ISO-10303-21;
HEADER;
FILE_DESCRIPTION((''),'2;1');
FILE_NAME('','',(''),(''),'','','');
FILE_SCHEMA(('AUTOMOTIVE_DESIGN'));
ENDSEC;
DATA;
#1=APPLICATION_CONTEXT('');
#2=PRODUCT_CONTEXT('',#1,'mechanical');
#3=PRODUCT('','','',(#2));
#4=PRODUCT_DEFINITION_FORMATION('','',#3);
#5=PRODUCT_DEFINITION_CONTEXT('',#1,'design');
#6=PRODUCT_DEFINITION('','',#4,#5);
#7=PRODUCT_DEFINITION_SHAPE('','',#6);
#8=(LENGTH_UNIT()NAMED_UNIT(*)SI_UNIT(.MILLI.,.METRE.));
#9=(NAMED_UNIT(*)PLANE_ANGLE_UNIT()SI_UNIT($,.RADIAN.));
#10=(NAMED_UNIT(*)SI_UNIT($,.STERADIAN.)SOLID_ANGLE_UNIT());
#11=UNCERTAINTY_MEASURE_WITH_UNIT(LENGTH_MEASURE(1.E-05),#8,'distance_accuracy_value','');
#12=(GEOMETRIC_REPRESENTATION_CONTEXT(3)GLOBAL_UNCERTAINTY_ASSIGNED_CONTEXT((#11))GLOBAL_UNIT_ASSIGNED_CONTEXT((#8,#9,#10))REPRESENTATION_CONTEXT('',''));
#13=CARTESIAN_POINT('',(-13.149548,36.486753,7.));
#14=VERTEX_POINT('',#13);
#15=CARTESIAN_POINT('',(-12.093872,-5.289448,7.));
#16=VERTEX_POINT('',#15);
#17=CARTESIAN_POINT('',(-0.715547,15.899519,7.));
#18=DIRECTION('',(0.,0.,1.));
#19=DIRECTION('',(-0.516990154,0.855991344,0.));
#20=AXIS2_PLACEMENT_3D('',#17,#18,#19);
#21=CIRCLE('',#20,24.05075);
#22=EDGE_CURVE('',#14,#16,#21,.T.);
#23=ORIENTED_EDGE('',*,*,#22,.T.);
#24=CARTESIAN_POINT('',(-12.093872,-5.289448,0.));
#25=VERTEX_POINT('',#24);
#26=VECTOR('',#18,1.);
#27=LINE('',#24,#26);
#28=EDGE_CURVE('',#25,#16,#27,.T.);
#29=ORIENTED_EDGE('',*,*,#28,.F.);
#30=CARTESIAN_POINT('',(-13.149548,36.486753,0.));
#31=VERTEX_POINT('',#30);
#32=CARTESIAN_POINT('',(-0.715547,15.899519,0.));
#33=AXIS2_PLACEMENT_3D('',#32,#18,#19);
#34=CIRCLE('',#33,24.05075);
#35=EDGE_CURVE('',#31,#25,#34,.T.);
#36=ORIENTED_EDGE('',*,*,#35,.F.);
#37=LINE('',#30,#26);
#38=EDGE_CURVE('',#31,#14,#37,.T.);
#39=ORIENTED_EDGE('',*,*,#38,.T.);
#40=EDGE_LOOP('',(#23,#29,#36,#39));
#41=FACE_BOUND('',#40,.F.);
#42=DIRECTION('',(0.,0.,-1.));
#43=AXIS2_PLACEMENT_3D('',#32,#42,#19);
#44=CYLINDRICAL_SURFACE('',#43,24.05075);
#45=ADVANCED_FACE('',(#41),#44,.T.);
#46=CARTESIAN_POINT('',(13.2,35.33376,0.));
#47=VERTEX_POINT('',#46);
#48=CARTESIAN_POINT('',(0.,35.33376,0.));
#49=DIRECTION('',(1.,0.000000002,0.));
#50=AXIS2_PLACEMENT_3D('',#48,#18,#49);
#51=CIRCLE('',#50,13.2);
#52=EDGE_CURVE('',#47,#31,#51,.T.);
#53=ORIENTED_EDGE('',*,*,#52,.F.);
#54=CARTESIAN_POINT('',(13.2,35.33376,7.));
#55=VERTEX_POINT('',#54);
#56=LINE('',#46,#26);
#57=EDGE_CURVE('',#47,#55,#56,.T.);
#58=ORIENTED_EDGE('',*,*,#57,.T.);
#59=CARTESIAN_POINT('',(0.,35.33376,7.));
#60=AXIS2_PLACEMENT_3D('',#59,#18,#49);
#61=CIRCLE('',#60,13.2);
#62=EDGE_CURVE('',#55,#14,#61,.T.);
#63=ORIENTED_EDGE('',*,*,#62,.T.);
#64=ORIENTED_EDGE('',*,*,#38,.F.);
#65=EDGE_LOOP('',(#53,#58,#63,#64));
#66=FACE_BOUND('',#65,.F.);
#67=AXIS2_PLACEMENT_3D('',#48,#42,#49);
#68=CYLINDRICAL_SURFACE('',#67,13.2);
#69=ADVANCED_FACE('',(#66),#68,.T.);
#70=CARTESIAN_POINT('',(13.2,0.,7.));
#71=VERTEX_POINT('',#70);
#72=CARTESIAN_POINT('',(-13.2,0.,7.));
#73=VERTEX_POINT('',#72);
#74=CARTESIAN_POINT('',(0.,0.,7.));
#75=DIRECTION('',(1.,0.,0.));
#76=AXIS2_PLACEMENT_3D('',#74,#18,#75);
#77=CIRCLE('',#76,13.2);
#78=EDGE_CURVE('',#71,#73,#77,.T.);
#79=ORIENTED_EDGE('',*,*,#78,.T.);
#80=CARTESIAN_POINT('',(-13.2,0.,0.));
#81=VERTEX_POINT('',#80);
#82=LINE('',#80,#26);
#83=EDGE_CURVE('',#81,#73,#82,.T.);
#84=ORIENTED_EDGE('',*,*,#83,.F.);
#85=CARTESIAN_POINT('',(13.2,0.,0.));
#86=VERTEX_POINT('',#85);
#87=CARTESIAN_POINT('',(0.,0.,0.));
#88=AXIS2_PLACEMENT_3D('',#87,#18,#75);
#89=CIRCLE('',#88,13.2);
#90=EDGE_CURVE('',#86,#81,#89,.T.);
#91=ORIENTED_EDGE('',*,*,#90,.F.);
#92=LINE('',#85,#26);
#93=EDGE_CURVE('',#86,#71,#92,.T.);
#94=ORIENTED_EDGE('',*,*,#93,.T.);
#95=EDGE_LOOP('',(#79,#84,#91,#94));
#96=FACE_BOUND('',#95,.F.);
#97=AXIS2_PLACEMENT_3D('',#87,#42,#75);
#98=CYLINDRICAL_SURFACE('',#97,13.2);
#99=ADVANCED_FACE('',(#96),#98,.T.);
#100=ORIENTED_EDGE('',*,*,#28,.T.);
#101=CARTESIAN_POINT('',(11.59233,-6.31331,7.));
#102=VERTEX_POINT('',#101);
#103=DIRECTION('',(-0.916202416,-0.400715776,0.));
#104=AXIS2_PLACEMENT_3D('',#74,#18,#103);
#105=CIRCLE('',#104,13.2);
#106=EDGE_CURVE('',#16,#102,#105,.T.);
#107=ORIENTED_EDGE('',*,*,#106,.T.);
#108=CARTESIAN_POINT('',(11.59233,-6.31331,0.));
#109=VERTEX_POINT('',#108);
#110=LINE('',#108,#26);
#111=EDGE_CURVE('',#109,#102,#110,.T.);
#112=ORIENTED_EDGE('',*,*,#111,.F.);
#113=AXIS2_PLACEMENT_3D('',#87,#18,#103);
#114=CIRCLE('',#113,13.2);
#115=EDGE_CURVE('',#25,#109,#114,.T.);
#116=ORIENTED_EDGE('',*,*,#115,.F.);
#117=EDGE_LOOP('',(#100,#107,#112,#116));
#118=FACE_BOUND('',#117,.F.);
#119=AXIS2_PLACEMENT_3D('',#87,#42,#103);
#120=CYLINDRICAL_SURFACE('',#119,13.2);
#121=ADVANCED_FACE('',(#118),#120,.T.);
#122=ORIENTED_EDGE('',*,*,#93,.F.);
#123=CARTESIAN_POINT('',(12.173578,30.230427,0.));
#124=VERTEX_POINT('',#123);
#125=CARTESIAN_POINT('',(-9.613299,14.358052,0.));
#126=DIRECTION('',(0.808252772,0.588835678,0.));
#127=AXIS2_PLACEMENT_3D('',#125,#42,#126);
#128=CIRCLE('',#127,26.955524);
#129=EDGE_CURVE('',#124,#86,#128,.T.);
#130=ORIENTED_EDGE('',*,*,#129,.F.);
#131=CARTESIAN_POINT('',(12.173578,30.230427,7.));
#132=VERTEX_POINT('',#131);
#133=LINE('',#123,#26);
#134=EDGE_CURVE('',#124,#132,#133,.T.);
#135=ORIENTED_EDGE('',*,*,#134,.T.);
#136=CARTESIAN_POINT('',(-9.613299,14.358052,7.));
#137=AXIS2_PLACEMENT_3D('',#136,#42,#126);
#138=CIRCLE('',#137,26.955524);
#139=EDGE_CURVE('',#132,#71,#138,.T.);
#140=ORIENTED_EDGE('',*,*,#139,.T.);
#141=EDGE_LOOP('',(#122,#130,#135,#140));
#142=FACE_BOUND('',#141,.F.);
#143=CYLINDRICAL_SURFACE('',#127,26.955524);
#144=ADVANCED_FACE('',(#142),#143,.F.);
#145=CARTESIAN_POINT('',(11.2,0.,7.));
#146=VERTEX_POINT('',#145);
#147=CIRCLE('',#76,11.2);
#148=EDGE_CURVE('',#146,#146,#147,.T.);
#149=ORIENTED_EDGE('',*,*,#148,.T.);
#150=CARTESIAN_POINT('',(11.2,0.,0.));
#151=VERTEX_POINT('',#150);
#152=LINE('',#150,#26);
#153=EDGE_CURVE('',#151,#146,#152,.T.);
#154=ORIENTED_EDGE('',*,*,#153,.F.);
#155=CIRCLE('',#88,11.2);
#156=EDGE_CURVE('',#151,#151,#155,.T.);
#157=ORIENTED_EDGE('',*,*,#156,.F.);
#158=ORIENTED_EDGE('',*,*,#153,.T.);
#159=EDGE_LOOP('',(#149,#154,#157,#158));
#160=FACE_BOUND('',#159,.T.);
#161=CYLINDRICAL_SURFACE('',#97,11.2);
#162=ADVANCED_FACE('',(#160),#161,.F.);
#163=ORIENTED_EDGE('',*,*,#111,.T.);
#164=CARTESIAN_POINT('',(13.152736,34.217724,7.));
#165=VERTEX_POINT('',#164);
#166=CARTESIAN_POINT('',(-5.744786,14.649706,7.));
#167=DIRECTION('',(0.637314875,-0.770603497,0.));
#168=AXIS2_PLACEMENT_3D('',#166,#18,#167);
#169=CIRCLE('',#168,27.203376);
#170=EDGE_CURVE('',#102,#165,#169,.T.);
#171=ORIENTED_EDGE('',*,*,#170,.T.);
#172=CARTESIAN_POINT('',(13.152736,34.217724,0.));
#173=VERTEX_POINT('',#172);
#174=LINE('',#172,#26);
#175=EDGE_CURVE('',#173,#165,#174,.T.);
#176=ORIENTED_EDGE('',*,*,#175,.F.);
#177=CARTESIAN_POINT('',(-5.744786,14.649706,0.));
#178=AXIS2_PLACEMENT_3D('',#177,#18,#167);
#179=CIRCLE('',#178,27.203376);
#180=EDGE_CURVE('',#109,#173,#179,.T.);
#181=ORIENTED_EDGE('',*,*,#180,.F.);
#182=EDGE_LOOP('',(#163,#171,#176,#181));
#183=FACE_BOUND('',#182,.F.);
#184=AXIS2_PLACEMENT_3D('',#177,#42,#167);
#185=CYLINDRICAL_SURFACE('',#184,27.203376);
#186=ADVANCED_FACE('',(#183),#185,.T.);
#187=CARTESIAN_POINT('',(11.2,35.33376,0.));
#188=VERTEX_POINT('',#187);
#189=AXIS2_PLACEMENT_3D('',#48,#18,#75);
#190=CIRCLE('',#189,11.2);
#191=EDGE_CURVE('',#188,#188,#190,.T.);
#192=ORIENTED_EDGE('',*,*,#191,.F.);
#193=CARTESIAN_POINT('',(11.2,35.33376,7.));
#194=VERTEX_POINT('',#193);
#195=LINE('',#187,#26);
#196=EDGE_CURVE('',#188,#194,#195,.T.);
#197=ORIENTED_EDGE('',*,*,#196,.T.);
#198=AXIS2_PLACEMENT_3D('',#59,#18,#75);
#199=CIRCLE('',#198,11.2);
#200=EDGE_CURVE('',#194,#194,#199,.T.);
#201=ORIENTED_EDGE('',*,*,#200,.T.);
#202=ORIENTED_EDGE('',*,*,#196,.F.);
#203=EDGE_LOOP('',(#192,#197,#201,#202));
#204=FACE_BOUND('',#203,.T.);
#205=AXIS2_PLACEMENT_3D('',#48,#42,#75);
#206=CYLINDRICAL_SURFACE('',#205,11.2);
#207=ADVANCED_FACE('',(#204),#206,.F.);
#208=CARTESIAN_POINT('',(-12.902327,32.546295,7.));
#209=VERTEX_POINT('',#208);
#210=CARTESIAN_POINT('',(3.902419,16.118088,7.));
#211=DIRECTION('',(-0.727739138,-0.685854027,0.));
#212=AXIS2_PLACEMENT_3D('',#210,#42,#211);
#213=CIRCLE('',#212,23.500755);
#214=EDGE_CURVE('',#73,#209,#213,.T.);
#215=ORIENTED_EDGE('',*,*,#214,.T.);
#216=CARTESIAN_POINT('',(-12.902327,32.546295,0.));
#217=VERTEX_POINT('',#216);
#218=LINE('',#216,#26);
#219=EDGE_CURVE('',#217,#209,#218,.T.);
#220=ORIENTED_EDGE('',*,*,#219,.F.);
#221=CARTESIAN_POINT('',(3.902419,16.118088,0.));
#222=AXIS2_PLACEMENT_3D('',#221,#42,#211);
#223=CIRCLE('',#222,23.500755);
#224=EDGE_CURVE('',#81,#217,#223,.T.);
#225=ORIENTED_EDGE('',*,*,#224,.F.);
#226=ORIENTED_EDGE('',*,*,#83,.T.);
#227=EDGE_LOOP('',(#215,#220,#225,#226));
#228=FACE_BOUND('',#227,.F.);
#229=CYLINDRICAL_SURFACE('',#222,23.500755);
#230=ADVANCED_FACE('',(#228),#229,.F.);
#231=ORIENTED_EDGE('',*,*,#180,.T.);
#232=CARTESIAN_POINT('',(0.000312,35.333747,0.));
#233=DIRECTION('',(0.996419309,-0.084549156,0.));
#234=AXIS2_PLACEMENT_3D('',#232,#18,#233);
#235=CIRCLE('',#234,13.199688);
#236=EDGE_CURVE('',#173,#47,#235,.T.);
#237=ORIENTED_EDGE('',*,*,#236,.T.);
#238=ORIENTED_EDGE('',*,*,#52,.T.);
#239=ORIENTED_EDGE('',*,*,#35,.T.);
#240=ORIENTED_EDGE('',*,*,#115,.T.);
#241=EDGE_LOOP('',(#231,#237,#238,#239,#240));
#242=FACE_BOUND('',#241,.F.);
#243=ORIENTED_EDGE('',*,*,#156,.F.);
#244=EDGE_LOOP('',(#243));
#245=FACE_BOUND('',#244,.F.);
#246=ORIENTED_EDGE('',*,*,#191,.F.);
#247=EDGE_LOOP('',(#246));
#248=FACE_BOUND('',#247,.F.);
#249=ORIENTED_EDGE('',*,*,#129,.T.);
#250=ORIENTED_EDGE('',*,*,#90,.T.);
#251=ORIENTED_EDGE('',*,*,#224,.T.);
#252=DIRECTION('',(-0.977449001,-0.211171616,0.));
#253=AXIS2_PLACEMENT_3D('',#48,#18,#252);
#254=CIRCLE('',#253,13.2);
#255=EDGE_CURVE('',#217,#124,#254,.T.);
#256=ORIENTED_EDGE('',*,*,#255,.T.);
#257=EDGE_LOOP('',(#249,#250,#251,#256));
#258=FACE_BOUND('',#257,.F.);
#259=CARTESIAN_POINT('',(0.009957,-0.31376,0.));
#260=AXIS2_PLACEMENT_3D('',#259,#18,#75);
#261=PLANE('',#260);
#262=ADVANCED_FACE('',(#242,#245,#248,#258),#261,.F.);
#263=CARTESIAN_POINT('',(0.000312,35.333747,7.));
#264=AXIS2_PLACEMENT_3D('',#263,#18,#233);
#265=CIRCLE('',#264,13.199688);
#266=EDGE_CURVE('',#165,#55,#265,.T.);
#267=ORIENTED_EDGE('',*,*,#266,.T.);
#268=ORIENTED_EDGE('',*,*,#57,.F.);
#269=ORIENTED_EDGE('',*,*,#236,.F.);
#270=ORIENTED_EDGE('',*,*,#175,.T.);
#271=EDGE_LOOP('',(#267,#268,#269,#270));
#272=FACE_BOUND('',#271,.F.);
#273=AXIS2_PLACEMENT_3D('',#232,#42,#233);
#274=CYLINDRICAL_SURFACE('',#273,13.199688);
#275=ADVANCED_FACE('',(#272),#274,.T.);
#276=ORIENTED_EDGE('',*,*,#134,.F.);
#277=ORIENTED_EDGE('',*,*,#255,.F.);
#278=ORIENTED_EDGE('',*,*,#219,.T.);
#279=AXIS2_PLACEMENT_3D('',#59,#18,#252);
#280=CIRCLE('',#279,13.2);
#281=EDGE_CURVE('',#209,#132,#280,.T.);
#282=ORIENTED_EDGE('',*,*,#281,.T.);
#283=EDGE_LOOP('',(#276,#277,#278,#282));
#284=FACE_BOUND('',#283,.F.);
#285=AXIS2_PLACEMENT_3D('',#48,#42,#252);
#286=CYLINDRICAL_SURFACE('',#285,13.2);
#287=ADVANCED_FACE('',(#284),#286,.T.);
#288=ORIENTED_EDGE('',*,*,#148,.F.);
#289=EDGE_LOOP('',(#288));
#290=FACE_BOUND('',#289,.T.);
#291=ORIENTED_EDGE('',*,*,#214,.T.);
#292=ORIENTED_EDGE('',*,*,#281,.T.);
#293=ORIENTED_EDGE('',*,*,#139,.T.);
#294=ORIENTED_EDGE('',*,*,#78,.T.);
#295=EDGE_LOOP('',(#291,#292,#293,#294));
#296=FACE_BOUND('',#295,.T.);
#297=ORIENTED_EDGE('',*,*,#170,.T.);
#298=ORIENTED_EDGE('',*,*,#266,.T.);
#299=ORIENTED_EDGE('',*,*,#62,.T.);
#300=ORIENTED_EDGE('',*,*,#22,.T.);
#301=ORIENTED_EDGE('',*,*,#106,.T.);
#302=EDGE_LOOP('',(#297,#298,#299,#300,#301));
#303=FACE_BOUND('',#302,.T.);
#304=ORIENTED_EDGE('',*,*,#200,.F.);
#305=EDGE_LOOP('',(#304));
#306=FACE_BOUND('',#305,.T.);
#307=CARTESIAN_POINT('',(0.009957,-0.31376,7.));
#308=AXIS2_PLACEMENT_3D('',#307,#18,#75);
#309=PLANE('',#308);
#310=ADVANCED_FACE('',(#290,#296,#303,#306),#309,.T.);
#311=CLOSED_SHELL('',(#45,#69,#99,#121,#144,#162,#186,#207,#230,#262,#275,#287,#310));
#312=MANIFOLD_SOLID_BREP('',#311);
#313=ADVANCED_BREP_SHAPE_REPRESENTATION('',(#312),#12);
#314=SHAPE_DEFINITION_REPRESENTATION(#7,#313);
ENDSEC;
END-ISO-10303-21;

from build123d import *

# Parameters (mm, degrees)
F0_R     = 11.2
F1_DEPTH = 7


with BuildPart() as f1:
    # F0 (on Top) → F1 (new body)
    with BuildSketch(Plane.XY):
        with BuildLine():
            ThreePointArc((11.59233, -6.31331), (12.79177, -3.257395), (13.2, 0))
            ThreePointArc((13.2, 0), (0, 13.2), (-13.2, 0))
            ThreePointArc((-13.2, 0), (-12.920509, -2.701933), (-12.093872, -5.289448))
            ThreePointArc((-12.093872, -5.289448), (-0.570052, -13.187685), (11.59233, -6.31331))
        make_face()
        Circle(F0_R, mode=Mode.SUBTRACT)
        with BuildLine():
            ThreePointArc((12.173578, 30.230427), (17.326701, 15.272754), (13.2, 0))
            ThreePointArc((13.2, 0), (12.79177, -3.257395), (11.59233, -6.31331))
            ThreePointArc((11.59233, -6.31331), (21.438452, 13.603178), (13.152736, 34.217724))
            ThreePointArc((13.152736, 34.217724), (12.819133, 32.185772), (12.173578, 30.230427))
        make_face()
        with BuildLine():
            ThreePointArc((-12.093872, -5.289448), (-12.920509, -2.701933), (-13.2, 0))
            ThreePointArc((-13.2, 0), (-19.597353, 16.33302), (-12.902327, 32.546295))
            ThreePointArc((-12.902327, 32.546295), (-13.174098, 34.507228), (-13.149548, 36.486753))
            ThreePointArc((-13.149548, 36.486753), (-24.758622, 15.291955), (-12.093872, -5.289448))
        make_face()
        with BuildLine():
            ThreePointArc((-12.902327, 32.546295), (-1.213911, 22.189696), (12.173578, 30.230427))
            ThreePointArc((12.173578, 30.230427), (12.819133, 32.185772), (13.152736, 34.217724))
            ThreePointArc((13.152736, 34.217724), (13.188179, 34.775242), (13.2, 35.33376))
            ThreePointArc((13.2, 35.33376), (0.577048, 48.521141), (-13.149548, 36.486753))
            ThreePointArc((-13.149548, 36.486753), (-13.174098, 34.507228), (-12.902327, 32.546295))
        make_face()
        with Locations((0, 35.33376)):
            Circle(F0_R, mode=Mode.SUBTRACT)
    extrude(amount=F1_DEPTH)


solid = f1.part
